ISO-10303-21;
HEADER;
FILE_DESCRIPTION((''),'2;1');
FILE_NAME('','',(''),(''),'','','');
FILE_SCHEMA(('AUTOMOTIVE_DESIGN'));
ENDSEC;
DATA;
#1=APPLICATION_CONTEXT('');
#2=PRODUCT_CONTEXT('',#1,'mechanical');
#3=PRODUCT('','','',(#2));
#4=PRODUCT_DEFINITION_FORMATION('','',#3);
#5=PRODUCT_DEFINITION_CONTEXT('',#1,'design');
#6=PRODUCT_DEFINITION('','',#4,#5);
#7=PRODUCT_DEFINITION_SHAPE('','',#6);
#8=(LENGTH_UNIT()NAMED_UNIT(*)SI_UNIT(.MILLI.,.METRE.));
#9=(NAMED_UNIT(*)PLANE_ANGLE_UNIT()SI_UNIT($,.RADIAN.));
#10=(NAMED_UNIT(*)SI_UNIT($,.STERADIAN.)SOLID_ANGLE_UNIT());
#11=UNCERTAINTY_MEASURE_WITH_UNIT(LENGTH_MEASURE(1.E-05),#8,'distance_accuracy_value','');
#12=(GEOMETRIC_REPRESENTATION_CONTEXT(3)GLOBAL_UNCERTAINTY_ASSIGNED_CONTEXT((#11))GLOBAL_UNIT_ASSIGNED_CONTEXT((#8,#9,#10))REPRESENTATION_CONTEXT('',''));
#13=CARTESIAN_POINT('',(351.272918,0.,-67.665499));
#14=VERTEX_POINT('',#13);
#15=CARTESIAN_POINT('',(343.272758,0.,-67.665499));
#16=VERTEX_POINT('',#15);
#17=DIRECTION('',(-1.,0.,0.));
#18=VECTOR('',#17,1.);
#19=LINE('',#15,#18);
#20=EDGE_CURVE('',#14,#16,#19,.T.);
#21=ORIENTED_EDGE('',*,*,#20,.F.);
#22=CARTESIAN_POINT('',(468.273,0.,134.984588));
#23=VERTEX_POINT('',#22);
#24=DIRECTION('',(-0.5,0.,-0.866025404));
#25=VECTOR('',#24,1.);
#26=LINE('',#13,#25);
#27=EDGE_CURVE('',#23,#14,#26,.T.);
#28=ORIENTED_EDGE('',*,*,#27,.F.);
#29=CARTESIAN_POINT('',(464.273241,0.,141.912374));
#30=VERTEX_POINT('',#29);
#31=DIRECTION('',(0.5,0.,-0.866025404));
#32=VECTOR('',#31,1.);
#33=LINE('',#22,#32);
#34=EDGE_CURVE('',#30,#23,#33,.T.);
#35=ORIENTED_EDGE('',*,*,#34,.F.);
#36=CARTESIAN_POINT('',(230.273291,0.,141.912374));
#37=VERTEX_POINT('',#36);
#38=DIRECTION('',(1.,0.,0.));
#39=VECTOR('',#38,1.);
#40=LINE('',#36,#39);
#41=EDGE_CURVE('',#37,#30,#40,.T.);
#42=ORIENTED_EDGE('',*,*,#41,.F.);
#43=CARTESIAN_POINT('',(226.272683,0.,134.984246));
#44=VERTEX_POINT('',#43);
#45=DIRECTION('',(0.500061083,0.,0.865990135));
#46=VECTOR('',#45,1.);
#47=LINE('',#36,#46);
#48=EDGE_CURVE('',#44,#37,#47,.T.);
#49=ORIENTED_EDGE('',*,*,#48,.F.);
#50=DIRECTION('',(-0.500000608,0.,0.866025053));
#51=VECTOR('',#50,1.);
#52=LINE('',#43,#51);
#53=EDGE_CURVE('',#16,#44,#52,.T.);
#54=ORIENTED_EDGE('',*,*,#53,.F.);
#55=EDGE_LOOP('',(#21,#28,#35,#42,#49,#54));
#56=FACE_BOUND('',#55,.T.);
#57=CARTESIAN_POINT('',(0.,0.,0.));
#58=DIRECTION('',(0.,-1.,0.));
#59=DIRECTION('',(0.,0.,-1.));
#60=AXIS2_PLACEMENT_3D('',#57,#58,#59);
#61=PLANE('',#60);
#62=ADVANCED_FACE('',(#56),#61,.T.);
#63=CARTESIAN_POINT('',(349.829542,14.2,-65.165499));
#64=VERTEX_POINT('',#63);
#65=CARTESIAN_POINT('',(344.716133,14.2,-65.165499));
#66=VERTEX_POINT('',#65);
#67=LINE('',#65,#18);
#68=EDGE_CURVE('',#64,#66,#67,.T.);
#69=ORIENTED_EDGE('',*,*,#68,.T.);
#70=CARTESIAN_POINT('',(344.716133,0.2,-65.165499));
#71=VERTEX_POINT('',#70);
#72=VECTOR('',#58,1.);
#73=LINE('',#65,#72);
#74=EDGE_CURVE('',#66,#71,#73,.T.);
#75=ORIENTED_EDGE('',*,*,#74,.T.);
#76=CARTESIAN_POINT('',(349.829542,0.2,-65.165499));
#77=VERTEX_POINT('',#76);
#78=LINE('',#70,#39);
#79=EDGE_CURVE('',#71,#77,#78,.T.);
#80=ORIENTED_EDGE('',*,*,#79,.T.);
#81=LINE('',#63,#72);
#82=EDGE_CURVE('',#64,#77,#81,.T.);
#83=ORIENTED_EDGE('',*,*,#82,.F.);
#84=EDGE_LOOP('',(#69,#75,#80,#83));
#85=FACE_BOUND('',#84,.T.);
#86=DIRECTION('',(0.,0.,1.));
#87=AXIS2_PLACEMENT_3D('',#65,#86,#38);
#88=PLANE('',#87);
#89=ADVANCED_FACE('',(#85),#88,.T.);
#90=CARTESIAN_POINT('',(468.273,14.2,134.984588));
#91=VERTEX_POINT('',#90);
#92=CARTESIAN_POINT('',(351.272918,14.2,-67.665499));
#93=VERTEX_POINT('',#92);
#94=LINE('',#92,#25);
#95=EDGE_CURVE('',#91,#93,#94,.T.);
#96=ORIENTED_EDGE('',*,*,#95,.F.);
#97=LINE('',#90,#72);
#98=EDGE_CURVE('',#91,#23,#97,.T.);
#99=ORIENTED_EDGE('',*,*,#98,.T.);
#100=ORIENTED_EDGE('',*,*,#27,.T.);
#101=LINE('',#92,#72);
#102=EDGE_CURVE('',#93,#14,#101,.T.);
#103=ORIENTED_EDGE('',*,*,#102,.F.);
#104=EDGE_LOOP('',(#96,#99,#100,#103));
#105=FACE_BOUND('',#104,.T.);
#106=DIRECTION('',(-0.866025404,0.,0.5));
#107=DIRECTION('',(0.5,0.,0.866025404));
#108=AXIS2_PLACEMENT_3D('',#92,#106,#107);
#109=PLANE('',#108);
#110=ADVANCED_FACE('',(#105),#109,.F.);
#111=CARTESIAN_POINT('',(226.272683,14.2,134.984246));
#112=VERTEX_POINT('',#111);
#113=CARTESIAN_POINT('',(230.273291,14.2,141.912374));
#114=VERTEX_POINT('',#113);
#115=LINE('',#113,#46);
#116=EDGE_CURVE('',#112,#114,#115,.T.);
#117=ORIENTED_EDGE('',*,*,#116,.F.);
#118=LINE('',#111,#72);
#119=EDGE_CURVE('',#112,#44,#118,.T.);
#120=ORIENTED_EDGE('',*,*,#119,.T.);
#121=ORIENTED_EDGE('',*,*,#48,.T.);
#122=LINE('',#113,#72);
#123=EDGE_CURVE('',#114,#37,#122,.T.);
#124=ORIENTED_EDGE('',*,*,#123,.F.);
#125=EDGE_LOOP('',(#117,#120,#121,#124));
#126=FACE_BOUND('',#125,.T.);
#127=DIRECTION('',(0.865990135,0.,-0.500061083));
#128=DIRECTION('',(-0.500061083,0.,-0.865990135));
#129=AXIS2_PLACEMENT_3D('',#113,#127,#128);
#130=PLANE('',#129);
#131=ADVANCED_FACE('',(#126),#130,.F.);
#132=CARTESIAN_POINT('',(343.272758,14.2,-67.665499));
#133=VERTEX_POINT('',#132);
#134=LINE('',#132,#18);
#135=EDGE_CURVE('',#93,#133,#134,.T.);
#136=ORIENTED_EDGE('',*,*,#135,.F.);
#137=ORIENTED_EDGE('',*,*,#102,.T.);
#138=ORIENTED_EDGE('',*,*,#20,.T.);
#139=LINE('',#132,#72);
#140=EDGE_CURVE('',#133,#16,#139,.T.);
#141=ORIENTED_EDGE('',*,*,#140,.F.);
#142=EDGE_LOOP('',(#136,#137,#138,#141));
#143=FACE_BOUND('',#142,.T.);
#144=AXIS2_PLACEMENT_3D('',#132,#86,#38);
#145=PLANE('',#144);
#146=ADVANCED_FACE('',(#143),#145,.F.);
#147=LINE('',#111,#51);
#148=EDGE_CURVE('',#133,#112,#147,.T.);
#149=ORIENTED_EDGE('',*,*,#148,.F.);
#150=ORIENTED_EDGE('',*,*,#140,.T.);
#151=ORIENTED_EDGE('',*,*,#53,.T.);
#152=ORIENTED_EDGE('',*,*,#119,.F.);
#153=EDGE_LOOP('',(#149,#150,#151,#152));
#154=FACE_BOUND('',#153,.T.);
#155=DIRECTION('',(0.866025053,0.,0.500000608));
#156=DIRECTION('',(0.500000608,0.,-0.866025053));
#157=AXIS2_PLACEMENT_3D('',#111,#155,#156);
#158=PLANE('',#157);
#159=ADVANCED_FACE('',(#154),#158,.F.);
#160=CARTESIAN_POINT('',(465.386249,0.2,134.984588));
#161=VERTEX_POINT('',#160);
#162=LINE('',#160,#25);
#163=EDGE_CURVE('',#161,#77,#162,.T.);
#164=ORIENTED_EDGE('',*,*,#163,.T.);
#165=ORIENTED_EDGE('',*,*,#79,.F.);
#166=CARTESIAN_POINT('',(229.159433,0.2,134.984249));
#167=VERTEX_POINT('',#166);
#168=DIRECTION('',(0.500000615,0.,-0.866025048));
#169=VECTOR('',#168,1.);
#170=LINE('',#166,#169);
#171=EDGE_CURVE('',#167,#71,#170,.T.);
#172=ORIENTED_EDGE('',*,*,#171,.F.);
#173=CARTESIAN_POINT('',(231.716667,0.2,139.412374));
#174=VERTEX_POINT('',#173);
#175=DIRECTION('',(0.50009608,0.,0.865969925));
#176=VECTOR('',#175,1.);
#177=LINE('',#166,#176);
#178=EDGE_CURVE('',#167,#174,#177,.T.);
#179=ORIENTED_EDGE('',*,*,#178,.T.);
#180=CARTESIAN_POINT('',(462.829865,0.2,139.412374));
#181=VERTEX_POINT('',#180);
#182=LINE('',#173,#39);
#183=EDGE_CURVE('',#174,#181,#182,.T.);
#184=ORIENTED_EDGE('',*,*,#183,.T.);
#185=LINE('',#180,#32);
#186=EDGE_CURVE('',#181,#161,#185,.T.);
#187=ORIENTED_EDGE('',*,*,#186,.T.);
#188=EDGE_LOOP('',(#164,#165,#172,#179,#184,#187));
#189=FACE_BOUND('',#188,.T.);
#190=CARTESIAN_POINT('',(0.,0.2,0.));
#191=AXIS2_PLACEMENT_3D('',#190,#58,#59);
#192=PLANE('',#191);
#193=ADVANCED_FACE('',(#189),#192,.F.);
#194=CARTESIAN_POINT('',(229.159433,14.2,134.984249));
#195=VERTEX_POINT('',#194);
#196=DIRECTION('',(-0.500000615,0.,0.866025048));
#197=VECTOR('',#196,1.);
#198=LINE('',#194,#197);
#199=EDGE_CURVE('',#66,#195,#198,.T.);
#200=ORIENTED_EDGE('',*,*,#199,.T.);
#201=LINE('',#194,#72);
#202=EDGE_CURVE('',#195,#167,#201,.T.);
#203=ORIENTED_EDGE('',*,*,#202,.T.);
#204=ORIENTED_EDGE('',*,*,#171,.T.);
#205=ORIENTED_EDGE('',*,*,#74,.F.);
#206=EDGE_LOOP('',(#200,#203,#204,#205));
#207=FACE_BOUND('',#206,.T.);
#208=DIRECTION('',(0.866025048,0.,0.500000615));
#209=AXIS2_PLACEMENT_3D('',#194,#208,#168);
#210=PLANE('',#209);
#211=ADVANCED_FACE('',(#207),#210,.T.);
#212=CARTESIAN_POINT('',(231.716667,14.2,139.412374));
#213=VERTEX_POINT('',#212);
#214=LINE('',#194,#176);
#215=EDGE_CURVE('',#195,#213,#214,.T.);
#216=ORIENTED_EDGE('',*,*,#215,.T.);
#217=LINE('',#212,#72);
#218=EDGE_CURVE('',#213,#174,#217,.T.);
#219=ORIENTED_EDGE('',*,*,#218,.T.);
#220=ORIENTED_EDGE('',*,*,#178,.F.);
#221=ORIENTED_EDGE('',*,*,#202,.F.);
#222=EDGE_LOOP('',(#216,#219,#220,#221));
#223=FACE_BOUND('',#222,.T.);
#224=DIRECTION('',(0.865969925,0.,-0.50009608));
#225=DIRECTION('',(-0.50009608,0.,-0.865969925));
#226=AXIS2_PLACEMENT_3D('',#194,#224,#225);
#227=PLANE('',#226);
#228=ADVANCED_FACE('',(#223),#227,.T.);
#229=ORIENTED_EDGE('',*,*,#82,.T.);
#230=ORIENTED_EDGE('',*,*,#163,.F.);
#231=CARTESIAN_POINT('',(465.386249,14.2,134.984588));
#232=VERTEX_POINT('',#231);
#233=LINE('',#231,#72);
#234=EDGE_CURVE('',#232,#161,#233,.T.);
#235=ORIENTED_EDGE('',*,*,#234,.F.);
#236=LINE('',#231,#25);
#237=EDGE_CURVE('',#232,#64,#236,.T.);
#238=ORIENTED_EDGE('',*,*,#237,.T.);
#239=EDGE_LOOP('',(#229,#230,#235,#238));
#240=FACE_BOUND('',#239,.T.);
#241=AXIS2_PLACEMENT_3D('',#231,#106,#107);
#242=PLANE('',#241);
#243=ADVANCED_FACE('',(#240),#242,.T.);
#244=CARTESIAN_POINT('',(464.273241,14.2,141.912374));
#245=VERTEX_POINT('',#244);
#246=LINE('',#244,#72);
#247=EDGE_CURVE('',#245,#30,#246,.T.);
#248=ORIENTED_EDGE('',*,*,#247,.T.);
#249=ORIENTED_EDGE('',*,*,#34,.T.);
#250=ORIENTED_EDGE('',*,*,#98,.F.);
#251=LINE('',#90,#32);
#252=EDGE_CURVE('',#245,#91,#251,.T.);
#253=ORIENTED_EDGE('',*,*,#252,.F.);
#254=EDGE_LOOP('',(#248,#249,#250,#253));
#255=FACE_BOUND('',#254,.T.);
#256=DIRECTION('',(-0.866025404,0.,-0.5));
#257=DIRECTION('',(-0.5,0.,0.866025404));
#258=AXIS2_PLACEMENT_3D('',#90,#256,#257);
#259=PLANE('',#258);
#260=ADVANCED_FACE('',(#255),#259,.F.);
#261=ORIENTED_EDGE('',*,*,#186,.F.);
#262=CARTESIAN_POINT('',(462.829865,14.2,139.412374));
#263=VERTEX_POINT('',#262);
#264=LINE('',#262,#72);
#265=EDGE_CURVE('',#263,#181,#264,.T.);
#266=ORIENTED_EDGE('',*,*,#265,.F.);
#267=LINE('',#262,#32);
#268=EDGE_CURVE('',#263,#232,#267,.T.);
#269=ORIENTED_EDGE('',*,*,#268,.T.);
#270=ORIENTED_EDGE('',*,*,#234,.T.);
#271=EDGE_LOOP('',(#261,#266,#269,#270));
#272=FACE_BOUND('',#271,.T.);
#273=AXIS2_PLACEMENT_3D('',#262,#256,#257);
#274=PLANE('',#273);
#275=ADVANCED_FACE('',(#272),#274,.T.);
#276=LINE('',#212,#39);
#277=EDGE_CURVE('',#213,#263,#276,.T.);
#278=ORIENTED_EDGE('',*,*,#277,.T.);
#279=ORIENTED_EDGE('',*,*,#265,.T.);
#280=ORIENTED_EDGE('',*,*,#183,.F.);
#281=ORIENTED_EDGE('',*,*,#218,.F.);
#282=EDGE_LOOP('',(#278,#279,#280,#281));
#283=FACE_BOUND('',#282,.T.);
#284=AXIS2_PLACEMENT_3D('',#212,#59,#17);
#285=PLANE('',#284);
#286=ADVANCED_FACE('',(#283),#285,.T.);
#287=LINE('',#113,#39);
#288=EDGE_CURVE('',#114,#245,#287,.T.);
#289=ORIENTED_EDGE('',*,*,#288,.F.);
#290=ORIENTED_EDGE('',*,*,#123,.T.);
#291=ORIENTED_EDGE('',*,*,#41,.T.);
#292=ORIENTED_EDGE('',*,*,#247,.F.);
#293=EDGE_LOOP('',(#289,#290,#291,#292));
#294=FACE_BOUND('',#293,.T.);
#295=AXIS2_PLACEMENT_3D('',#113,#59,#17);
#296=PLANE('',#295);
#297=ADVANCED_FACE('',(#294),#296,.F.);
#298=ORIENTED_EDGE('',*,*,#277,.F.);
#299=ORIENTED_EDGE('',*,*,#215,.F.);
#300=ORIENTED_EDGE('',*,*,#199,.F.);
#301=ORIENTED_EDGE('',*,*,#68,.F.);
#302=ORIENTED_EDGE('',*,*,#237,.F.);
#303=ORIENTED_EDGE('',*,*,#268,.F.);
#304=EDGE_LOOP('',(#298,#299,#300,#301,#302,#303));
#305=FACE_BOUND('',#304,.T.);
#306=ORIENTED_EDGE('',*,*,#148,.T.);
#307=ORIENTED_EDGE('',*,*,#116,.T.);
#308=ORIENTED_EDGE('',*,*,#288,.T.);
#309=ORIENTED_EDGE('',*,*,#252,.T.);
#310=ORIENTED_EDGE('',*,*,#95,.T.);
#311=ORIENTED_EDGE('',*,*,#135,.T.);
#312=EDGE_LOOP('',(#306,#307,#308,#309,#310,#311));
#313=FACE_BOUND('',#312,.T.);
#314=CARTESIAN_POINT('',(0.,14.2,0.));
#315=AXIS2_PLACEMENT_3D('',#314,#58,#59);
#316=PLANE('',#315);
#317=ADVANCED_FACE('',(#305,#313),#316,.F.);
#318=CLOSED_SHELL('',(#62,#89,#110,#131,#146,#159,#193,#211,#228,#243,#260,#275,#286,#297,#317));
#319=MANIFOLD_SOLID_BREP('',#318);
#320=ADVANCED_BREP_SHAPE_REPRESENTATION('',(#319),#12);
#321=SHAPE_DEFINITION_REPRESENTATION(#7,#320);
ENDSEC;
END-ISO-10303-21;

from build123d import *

# Parameters (mm, degrees)
BOSS_EXTRUDE6_DEPTH = 0.2
BOSS_EXTRUDE8_DEPTH = 14.2


with BuildPart() as part:
    # Sketch1 → Boss-Extrude6 (new body)
    with BuildSketch(Plane(origin=(0, 0, 0), x_dir=(1, 0, 0), z_dir=(0, 1, 0))):
        Polygon((231.716666588, -139.412373829), (462.829865412, -139.412373829), (465.38624875, -134.984588004), (349.829542096, 65.165499075), (344.716133219, 65.165499075), (229.159432538, -134.984249178), align=None)
    extrude(amount=BOSS_EXTRUDE6_DEPTH)

    # Sketch1<7> → Boss-Extrude8 (add)
    with BuildSketch(Plane(origin=(0, 0, 0), x_dir=(1, 0, 0), z_dir=(0, 1, 0))):
        Polygon((351.272917769, 67.665499075), (468.273000096, -134.984588004), (464.273241085, -141.912373829), (230.273290915, -141.912373829), (226.272682946, -134.984246139), (343.272757546, 67.665499075), align=None)
        Polygon((231.716666588, -139.412373829), (462.829865412, -139.412373829), (465.38624875, -134.984588004), (349.829542096, 65.165499075), (344.716133219, 65.165499075), (229.159432538, -134.984249178), align=None, mode=Mode.SUBTRACT)
    extrude(amount=BOSS_EXTRUDE8_DEPTH)


solid = part.part
